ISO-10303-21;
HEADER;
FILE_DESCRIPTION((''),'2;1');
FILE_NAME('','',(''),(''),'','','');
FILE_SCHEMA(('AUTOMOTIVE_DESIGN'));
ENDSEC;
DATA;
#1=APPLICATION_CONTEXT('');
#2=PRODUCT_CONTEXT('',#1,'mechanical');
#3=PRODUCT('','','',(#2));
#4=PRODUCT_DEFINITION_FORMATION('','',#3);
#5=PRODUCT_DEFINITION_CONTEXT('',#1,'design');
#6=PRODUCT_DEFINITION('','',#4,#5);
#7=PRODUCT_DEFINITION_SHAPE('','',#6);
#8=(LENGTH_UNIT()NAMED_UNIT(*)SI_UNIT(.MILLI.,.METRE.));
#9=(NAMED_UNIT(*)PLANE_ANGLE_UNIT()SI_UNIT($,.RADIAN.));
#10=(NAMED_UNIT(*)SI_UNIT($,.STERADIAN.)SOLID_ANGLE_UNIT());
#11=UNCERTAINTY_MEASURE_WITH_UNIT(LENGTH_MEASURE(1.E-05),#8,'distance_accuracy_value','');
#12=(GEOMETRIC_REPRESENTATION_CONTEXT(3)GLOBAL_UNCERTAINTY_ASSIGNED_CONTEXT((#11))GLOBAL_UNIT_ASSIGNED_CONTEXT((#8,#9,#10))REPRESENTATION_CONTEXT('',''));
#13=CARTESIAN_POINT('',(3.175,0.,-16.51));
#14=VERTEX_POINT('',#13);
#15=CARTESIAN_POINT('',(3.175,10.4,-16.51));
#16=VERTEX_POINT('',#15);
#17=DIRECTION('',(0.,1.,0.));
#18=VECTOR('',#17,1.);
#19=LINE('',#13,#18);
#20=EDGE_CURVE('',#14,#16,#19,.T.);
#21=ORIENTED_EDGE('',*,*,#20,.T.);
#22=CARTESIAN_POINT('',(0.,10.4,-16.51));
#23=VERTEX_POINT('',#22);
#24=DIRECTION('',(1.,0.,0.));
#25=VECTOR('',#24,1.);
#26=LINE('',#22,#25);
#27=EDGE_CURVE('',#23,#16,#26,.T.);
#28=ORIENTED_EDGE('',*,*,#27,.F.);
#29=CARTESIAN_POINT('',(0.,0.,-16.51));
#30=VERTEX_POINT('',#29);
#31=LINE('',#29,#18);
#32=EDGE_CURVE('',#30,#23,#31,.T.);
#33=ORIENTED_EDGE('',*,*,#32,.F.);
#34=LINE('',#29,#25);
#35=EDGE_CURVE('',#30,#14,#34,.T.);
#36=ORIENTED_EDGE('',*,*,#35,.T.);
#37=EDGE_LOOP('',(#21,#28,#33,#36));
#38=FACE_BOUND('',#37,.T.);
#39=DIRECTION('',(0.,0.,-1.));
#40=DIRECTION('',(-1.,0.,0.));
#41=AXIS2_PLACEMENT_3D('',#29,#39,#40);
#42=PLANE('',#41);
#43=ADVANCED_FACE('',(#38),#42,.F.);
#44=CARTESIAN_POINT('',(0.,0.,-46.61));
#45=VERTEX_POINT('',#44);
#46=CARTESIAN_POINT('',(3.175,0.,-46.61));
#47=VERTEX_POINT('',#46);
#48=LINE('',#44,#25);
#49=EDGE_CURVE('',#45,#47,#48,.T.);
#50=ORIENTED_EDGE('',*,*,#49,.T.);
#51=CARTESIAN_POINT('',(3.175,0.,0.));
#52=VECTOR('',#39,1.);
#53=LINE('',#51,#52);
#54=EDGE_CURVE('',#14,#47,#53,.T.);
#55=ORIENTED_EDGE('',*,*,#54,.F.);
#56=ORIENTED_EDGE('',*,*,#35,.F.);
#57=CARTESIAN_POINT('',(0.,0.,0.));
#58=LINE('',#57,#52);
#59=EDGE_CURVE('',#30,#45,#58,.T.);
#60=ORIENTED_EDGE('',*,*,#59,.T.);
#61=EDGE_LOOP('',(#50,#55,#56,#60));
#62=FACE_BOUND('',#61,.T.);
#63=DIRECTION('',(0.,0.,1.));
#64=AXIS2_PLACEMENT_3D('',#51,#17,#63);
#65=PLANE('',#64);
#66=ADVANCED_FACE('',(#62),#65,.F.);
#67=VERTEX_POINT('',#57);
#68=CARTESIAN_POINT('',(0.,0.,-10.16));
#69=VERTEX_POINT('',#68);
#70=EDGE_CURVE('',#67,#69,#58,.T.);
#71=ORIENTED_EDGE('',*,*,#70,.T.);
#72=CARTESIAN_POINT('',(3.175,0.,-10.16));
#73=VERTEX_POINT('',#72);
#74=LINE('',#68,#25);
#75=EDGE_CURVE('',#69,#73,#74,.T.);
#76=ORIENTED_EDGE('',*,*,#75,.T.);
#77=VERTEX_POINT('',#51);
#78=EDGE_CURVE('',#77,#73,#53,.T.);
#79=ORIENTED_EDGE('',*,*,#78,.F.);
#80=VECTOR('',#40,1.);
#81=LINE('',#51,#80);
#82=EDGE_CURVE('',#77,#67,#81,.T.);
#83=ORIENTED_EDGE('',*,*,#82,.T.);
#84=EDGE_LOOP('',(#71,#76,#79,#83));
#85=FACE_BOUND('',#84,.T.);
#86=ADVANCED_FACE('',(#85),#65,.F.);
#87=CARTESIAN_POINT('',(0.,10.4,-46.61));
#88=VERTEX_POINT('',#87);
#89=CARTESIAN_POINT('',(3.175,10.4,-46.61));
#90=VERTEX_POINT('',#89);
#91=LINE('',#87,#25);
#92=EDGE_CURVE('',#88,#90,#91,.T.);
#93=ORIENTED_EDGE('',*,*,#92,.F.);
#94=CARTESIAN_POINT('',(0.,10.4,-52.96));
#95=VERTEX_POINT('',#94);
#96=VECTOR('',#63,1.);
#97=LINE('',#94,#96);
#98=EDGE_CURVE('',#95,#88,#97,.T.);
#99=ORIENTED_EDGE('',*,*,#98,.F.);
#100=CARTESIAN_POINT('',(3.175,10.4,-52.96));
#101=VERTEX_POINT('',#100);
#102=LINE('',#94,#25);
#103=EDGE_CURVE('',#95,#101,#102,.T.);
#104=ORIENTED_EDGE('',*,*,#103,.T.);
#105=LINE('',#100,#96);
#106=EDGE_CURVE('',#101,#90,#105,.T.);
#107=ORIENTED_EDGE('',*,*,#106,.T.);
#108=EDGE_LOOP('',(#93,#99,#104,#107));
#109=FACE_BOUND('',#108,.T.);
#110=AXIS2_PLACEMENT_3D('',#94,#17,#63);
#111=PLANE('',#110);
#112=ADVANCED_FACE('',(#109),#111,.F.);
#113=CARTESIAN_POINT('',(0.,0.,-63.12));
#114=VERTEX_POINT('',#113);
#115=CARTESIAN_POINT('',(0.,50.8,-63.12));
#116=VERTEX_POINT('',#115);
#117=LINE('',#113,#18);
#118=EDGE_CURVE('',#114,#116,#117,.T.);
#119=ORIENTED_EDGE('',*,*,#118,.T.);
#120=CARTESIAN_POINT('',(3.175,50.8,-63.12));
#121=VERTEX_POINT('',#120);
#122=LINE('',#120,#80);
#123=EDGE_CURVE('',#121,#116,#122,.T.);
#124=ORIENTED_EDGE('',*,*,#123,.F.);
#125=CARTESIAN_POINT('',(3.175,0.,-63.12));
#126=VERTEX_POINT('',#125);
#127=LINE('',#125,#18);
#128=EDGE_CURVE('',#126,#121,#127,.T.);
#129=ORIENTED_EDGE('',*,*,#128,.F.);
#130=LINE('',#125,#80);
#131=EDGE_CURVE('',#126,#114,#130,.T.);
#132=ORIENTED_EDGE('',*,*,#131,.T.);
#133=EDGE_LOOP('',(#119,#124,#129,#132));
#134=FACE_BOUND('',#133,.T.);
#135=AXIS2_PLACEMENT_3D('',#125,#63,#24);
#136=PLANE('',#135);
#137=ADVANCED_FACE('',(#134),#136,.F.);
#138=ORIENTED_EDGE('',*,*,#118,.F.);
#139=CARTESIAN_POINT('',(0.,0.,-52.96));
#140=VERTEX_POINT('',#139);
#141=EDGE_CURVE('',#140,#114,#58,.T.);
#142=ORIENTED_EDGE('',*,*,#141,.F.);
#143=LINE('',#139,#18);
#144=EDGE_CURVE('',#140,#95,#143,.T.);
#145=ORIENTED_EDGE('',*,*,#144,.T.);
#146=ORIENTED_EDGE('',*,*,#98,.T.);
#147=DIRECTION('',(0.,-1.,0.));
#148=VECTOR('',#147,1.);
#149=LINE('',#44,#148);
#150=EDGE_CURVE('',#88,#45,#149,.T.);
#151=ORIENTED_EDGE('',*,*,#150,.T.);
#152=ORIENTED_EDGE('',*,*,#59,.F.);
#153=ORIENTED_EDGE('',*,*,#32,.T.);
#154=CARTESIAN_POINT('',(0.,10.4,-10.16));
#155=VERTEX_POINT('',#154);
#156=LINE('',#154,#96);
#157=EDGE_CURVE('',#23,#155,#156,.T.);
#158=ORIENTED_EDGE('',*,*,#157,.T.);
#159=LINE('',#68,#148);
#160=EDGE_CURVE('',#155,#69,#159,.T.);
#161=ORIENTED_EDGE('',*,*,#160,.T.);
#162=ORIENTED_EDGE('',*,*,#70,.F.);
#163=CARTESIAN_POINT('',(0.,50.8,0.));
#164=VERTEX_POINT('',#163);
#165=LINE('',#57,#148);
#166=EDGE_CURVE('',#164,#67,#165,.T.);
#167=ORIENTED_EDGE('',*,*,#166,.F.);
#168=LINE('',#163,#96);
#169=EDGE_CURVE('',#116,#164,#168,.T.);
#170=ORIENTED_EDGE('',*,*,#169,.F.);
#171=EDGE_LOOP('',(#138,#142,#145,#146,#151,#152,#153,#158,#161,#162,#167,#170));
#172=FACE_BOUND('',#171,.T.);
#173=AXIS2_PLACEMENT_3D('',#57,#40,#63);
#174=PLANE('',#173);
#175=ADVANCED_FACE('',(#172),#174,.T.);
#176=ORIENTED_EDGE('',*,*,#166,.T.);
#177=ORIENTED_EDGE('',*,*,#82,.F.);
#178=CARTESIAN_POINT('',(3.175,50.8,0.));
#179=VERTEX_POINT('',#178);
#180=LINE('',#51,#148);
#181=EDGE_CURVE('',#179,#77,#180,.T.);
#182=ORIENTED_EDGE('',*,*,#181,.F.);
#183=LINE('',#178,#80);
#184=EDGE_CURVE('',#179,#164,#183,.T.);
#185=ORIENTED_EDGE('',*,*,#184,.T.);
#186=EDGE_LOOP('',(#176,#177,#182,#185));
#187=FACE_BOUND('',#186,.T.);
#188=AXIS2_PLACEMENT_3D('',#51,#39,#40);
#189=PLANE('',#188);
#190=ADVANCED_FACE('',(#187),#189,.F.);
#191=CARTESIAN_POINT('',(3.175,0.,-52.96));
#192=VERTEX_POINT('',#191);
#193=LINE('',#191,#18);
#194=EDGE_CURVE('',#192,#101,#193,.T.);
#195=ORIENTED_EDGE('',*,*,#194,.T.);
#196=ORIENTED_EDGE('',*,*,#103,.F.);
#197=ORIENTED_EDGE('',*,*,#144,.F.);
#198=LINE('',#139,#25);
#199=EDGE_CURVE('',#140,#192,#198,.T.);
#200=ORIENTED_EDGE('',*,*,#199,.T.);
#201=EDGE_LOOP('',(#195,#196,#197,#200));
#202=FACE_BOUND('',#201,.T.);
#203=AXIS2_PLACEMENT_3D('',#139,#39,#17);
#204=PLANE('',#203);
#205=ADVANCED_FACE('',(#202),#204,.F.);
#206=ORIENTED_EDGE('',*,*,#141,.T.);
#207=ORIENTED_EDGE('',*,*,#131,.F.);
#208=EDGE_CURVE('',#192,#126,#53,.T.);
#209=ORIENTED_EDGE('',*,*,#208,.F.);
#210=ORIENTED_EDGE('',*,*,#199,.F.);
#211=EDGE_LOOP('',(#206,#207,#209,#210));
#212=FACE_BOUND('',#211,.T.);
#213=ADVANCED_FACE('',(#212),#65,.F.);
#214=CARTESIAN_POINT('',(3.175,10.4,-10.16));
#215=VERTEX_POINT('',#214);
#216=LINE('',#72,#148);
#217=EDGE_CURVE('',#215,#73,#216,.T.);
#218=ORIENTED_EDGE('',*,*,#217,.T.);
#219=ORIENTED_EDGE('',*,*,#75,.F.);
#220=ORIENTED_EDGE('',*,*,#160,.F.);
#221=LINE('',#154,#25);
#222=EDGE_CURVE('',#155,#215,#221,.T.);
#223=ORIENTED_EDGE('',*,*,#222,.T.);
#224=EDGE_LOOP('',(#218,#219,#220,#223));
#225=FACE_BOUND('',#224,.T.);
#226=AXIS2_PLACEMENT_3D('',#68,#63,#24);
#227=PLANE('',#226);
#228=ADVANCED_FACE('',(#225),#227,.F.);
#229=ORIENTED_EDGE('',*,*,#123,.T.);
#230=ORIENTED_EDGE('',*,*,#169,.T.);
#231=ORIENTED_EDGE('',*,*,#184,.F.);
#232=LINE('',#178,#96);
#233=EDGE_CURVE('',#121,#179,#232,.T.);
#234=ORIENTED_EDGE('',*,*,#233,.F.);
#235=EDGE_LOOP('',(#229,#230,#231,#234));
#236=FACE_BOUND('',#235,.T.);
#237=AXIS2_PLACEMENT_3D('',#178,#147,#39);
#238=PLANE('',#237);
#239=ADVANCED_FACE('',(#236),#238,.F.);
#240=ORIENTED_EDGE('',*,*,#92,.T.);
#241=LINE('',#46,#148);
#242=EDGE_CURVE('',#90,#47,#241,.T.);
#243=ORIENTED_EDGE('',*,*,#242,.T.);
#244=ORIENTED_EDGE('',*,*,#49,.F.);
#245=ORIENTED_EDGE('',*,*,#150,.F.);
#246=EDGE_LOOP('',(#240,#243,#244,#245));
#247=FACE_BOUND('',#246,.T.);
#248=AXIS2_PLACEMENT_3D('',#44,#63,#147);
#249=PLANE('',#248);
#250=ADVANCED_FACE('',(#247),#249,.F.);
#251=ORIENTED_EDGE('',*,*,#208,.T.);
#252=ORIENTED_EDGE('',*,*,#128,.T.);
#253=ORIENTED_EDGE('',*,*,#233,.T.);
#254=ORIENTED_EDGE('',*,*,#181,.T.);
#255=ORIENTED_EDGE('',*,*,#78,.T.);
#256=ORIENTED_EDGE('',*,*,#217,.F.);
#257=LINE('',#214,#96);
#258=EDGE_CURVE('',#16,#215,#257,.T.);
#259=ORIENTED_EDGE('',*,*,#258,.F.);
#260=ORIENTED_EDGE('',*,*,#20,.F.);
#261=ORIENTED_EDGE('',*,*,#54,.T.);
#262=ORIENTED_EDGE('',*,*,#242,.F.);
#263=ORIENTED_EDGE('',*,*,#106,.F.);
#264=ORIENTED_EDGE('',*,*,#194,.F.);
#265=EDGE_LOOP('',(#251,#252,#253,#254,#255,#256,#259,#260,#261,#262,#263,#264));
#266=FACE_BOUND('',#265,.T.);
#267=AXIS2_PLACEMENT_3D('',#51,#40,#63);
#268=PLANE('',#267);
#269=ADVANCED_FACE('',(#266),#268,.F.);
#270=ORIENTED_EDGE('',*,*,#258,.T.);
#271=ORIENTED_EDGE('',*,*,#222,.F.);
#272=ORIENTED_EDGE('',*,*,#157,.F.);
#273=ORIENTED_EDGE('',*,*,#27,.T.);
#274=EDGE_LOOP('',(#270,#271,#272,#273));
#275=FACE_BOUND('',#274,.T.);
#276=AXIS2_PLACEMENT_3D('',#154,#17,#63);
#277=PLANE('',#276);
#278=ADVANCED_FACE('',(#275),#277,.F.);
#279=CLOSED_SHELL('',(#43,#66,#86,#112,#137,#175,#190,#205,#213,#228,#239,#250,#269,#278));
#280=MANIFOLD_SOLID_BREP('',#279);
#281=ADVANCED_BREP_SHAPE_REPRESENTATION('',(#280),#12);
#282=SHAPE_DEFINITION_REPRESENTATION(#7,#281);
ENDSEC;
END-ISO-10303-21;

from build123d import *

# Parameters (mm, degrees)
SKETCH1_W           = 63.12
SKETCH1_H           = 50.8
BOSS_EXTRUDE1_DEPTH = 3.175
SKETCH2_W           = 6.35
SKETCH2_H           = 10.4
CUT_EXTRUDE1_DEPTH  = 4.175


with BuildPart() as part:
    # Sketch1 → Boss-Extrude1 (new body)
    with BuildSketch(Plane(origin=(0, 0, 0), x_dir=(0, 0, -1), z_dir=(1, 0, 0))):
        with Locations((31.56, 25.4)):
            Rectangle(SKETCH1_W, SKETCH1_H)
    extrude(amount=BOSS_EXTRUDE1_DEPTH)

    # Sketch2 → Cut-Extrude1 (cut, through all)
    with BuildSketch(Plane(origin=(3.175, 0, 0), x_dir=(0, 0, -1), z_dir=(1, 0, 0))):
        with Locations((13.335, 5.2)):
            Rectangle(SKETCH2_W, SKETCH2_H)
        with Locations((49.785, 5.2)):
            Rectangle(SKETCH2_W, SKETCH2_H)
    extrude(amount=-CUT_EXTRUDE1_DEPTH, mode=Mode.SUBTRACT)


solid = part.part
